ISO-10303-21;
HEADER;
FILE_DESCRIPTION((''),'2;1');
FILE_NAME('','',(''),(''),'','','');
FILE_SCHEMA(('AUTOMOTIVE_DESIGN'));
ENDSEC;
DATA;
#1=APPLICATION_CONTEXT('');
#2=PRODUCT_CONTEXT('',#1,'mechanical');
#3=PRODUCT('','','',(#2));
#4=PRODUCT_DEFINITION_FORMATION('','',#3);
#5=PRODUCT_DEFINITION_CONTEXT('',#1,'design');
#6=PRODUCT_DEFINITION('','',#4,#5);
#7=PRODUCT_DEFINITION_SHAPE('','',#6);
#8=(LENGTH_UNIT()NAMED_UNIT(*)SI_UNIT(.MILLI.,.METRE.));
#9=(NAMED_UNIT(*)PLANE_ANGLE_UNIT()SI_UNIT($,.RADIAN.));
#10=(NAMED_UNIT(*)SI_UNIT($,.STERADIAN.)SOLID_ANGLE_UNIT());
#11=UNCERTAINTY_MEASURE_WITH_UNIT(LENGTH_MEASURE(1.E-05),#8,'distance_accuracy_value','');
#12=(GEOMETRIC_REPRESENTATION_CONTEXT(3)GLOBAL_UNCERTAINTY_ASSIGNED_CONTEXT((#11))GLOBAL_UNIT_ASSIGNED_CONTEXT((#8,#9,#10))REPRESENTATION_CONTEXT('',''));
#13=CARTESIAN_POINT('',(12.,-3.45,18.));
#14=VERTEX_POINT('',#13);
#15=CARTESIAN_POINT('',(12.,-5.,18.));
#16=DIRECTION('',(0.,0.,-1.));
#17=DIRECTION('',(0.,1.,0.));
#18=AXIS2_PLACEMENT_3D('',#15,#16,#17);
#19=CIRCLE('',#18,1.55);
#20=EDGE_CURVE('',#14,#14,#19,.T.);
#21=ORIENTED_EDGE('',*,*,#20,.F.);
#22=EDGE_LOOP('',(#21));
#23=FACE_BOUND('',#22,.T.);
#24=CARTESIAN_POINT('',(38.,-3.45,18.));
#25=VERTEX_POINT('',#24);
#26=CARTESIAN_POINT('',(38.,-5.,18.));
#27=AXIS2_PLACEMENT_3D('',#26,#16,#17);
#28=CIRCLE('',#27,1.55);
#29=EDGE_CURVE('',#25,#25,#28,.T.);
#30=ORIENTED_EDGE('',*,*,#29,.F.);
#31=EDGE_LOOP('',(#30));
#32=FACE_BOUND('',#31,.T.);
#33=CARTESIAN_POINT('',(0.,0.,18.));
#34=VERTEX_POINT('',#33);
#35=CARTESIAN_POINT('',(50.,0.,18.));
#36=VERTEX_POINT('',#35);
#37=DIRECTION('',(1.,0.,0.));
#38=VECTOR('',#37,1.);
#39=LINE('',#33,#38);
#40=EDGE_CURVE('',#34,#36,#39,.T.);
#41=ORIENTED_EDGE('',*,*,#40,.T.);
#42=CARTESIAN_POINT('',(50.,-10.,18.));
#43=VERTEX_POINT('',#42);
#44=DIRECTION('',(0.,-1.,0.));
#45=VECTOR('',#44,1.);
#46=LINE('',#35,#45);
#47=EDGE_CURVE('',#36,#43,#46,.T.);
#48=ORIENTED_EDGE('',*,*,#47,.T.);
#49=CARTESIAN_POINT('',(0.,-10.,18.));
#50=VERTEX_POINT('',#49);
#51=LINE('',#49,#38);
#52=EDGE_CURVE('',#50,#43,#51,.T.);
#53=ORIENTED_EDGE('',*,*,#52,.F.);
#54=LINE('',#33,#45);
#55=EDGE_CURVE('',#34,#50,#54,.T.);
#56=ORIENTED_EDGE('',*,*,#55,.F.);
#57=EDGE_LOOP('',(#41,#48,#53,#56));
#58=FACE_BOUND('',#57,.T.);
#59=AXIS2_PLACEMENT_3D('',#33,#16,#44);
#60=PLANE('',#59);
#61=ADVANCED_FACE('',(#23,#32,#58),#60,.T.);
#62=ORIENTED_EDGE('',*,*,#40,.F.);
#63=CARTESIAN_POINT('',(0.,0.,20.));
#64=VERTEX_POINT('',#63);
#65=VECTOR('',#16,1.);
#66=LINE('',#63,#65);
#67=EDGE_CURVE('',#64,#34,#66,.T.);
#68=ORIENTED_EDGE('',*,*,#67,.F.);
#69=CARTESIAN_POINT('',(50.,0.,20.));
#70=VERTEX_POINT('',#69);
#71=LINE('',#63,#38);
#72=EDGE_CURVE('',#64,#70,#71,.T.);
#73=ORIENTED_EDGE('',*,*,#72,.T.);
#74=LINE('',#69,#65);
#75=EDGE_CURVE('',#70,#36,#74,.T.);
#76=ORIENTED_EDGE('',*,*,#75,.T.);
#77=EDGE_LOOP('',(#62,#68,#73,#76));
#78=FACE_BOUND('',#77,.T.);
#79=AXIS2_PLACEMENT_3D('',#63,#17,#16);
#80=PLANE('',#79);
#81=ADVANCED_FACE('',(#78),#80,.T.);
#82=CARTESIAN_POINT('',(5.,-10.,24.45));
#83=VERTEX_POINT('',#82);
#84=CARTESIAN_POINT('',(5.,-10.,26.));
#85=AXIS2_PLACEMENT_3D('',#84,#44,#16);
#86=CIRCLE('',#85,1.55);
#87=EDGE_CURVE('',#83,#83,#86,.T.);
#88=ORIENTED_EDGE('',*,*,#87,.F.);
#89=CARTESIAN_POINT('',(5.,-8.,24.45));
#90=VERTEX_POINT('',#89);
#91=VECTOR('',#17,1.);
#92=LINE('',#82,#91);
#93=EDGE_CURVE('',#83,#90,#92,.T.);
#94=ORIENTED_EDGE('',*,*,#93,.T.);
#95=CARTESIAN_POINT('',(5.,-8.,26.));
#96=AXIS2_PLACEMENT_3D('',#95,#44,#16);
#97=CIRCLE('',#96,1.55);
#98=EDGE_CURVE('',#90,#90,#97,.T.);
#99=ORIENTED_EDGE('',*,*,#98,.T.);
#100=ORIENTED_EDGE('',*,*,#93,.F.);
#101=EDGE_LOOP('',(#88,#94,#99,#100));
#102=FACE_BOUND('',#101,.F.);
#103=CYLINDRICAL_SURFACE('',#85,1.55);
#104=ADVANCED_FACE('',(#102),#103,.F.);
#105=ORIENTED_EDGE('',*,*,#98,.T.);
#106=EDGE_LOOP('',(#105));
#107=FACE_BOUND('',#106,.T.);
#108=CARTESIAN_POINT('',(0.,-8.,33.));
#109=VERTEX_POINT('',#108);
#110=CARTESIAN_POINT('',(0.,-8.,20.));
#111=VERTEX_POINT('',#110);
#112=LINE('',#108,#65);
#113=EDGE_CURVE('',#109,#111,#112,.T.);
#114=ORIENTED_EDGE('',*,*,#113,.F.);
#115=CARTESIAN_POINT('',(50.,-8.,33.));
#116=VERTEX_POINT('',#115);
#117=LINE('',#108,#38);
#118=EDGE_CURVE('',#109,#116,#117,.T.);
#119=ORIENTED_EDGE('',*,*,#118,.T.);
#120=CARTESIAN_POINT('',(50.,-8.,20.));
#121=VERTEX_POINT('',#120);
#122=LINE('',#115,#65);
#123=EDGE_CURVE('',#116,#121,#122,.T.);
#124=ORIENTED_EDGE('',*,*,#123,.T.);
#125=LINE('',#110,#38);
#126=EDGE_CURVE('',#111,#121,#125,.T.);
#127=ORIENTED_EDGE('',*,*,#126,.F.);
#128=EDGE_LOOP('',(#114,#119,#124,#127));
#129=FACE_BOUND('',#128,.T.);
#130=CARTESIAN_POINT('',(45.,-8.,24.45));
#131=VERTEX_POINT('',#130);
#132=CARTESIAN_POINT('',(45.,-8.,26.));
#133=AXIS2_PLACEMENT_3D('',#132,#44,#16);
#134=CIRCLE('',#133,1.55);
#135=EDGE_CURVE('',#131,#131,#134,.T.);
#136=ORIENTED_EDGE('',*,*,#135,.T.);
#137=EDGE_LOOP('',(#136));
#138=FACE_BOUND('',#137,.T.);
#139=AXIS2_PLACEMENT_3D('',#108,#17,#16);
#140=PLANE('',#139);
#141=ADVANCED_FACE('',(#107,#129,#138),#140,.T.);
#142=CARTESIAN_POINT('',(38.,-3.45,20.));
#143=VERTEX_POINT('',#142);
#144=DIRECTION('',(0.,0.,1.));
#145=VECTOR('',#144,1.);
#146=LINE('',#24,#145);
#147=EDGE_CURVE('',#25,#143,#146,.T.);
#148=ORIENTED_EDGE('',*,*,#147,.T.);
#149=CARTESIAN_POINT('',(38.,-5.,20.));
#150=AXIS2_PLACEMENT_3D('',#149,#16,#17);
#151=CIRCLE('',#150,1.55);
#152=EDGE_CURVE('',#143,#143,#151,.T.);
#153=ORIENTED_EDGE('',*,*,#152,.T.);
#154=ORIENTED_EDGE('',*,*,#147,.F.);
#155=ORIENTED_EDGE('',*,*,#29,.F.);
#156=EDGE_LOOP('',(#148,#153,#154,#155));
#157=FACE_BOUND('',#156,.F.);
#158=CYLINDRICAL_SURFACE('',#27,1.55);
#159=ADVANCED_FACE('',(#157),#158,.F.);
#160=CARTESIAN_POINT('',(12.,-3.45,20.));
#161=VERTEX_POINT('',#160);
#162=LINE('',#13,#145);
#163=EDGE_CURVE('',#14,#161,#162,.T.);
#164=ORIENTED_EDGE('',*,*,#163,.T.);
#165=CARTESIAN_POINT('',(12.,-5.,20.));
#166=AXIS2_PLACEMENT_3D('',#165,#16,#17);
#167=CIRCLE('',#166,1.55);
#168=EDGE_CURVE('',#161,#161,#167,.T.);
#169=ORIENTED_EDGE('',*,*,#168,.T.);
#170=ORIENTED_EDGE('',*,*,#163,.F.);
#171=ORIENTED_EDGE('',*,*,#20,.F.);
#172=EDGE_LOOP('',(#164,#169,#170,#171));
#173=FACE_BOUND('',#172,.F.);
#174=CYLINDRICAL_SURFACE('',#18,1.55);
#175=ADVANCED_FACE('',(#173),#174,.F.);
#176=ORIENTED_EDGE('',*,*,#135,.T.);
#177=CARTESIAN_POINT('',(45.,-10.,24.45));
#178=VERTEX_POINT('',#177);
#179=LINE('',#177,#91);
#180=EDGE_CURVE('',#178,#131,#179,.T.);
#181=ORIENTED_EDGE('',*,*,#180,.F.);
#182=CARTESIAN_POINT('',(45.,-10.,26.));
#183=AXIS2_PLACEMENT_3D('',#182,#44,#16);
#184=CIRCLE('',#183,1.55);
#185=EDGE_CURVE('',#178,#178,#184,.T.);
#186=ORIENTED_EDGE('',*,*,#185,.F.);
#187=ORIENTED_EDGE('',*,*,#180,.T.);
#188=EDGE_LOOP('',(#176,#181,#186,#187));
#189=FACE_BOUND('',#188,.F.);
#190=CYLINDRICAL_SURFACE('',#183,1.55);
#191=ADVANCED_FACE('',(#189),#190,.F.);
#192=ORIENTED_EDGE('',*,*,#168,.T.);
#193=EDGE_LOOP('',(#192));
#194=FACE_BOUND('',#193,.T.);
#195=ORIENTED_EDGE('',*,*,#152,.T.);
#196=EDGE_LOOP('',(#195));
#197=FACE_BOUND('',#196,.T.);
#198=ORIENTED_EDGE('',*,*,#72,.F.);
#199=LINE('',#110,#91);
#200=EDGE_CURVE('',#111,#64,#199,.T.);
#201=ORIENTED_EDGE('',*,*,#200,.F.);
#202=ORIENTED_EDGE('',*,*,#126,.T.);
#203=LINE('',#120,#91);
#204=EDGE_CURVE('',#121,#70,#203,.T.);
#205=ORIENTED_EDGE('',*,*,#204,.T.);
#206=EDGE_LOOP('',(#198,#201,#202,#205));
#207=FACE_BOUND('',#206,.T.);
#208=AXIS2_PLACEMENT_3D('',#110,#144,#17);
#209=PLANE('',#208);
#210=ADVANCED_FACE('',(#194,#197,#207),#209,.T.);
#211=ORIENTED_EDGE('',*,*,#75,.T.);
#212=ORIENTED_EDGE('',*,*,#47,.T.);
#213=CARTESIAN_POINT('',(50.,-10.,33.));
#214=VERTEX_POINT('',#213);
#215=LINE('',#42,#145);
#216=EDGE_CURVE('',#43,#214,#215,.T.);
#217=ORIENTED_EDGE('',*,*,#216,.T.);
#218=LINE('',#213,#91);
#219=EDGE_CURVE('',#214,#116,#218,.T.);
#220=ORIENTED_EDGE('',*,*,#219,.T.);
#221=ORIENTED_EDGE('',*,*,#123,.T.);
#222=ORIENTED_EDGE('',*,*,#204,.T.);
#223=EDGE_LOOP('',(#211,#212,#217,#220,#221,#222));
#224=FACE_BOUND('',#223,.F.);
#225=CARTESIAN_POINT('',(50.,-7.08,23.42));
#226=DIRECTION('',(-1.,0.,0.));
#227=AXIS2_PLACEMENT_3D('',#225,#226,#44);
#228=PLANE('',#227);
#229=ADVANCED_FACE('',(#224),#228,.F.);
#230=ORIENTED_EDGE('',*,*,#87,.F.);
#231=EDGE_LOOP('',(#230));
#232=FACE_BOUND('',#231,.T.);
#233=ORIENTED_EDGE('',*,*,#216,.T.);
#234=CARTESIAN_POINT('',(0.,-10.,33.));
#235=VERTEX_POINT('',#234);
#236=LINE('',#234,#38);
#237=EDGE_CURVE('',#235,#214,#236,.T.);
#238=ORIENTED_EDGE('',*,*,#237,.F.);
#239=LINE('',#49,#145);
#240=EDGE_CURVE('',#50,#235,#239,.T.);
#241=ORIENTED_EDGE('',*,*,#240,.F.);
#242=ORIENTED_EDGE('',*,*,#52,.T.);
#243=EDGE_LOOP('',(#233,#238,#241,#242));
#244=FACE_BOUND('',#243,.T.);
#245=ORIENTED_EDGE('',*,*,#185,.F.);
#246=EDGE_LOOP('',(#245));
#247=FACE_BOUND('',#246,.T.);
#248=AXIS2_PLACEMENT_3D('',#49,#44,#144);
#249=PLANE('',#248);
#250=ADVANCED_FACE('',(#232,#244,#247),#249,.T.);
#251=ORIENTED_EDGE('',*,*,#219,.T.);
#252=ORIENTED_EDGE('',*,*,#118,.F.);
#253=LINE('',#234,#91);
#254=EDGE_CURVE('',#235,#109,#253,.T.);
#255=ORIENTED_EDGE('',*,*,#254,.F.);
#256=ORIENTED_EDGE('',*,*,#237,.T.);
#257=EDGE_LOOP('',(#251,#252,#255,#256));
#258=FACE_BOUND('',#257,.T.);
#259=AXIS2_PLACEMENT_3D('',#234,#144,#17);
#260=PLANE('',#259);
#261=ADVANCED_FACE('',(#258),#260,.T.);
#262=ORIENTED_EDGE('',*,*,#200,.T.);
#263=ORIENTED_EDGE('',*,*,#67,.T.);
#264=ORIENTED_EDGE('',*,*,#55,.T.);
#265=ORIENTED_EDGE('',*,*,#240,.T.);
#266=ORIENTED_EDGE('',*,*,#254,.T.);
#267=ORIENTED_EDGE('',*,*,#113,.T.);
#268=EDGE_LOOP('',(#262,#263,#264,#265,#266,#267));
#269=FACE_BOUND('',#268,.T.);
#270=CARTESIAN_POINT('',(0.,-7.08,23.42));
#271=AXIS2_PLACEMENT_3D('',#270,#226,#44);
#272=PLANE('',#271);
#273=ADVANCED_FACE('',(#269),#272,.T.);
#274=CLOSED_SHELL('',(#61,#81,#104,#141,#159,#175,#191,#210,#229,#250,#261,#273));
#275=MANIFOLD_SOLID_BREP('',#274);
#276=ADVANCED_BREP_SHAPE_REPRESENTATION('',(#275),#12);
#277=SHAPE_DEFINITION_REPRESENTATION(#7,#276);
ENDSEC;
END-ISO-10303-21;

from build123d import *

# Parameters (mm, degrees)
PAD040_DEPTH    = 50
SKETCH240_R     = 1.55
POCKET200_DEPTH = 15.001
SKETCH241_R     = 1.55
POCKET201_DEPTH = 10.001


with BuildPart() as part:
    # Sketch239 → Pad040 (new body)
    with BuildSketch(Plane.YZ):
        Polygon((0, 0), (0, 15), (2, 15), (2, 2), (10, 2), (10, 0), align=None)
    extrude(amount=PAD040_DEPTH)

    # Sketch240 (on Face6 of Pad040) → Pocket200 (cut, through all)
    with BuildSketch(Plane.YX):
        with Locations((5, 38)):
            Circle(SKETCH240_R)
        with Locations((5, 12)):
            Circle(SKETCH240_R)
    extrude(amount=-POCKET200_DEPTH, mode=Mode.SUBTRACT)

    # Sketch241 (on Face1 of Pocket200) → Pocket201 (cut, through all)
    with BuildSketch(Plane(origin=(0, 0, 0), x_dir=(0, 0, -1), z_dir=(0, -1, 0))):
        with Locations((-8, 45)):
            Circle(SKETCH241_R)
        with Locations((-8, 5)):
            Circle(SKETCH241_R)
    extrude(amount=-POCKET201_DEPTH, mode=Mode.SUBTRACT)


with BuildPart() as part_1:
    # Body041 placement: moved
    add(part.part.moved(Location((0, -10, 18))))


solid = part_1.part
